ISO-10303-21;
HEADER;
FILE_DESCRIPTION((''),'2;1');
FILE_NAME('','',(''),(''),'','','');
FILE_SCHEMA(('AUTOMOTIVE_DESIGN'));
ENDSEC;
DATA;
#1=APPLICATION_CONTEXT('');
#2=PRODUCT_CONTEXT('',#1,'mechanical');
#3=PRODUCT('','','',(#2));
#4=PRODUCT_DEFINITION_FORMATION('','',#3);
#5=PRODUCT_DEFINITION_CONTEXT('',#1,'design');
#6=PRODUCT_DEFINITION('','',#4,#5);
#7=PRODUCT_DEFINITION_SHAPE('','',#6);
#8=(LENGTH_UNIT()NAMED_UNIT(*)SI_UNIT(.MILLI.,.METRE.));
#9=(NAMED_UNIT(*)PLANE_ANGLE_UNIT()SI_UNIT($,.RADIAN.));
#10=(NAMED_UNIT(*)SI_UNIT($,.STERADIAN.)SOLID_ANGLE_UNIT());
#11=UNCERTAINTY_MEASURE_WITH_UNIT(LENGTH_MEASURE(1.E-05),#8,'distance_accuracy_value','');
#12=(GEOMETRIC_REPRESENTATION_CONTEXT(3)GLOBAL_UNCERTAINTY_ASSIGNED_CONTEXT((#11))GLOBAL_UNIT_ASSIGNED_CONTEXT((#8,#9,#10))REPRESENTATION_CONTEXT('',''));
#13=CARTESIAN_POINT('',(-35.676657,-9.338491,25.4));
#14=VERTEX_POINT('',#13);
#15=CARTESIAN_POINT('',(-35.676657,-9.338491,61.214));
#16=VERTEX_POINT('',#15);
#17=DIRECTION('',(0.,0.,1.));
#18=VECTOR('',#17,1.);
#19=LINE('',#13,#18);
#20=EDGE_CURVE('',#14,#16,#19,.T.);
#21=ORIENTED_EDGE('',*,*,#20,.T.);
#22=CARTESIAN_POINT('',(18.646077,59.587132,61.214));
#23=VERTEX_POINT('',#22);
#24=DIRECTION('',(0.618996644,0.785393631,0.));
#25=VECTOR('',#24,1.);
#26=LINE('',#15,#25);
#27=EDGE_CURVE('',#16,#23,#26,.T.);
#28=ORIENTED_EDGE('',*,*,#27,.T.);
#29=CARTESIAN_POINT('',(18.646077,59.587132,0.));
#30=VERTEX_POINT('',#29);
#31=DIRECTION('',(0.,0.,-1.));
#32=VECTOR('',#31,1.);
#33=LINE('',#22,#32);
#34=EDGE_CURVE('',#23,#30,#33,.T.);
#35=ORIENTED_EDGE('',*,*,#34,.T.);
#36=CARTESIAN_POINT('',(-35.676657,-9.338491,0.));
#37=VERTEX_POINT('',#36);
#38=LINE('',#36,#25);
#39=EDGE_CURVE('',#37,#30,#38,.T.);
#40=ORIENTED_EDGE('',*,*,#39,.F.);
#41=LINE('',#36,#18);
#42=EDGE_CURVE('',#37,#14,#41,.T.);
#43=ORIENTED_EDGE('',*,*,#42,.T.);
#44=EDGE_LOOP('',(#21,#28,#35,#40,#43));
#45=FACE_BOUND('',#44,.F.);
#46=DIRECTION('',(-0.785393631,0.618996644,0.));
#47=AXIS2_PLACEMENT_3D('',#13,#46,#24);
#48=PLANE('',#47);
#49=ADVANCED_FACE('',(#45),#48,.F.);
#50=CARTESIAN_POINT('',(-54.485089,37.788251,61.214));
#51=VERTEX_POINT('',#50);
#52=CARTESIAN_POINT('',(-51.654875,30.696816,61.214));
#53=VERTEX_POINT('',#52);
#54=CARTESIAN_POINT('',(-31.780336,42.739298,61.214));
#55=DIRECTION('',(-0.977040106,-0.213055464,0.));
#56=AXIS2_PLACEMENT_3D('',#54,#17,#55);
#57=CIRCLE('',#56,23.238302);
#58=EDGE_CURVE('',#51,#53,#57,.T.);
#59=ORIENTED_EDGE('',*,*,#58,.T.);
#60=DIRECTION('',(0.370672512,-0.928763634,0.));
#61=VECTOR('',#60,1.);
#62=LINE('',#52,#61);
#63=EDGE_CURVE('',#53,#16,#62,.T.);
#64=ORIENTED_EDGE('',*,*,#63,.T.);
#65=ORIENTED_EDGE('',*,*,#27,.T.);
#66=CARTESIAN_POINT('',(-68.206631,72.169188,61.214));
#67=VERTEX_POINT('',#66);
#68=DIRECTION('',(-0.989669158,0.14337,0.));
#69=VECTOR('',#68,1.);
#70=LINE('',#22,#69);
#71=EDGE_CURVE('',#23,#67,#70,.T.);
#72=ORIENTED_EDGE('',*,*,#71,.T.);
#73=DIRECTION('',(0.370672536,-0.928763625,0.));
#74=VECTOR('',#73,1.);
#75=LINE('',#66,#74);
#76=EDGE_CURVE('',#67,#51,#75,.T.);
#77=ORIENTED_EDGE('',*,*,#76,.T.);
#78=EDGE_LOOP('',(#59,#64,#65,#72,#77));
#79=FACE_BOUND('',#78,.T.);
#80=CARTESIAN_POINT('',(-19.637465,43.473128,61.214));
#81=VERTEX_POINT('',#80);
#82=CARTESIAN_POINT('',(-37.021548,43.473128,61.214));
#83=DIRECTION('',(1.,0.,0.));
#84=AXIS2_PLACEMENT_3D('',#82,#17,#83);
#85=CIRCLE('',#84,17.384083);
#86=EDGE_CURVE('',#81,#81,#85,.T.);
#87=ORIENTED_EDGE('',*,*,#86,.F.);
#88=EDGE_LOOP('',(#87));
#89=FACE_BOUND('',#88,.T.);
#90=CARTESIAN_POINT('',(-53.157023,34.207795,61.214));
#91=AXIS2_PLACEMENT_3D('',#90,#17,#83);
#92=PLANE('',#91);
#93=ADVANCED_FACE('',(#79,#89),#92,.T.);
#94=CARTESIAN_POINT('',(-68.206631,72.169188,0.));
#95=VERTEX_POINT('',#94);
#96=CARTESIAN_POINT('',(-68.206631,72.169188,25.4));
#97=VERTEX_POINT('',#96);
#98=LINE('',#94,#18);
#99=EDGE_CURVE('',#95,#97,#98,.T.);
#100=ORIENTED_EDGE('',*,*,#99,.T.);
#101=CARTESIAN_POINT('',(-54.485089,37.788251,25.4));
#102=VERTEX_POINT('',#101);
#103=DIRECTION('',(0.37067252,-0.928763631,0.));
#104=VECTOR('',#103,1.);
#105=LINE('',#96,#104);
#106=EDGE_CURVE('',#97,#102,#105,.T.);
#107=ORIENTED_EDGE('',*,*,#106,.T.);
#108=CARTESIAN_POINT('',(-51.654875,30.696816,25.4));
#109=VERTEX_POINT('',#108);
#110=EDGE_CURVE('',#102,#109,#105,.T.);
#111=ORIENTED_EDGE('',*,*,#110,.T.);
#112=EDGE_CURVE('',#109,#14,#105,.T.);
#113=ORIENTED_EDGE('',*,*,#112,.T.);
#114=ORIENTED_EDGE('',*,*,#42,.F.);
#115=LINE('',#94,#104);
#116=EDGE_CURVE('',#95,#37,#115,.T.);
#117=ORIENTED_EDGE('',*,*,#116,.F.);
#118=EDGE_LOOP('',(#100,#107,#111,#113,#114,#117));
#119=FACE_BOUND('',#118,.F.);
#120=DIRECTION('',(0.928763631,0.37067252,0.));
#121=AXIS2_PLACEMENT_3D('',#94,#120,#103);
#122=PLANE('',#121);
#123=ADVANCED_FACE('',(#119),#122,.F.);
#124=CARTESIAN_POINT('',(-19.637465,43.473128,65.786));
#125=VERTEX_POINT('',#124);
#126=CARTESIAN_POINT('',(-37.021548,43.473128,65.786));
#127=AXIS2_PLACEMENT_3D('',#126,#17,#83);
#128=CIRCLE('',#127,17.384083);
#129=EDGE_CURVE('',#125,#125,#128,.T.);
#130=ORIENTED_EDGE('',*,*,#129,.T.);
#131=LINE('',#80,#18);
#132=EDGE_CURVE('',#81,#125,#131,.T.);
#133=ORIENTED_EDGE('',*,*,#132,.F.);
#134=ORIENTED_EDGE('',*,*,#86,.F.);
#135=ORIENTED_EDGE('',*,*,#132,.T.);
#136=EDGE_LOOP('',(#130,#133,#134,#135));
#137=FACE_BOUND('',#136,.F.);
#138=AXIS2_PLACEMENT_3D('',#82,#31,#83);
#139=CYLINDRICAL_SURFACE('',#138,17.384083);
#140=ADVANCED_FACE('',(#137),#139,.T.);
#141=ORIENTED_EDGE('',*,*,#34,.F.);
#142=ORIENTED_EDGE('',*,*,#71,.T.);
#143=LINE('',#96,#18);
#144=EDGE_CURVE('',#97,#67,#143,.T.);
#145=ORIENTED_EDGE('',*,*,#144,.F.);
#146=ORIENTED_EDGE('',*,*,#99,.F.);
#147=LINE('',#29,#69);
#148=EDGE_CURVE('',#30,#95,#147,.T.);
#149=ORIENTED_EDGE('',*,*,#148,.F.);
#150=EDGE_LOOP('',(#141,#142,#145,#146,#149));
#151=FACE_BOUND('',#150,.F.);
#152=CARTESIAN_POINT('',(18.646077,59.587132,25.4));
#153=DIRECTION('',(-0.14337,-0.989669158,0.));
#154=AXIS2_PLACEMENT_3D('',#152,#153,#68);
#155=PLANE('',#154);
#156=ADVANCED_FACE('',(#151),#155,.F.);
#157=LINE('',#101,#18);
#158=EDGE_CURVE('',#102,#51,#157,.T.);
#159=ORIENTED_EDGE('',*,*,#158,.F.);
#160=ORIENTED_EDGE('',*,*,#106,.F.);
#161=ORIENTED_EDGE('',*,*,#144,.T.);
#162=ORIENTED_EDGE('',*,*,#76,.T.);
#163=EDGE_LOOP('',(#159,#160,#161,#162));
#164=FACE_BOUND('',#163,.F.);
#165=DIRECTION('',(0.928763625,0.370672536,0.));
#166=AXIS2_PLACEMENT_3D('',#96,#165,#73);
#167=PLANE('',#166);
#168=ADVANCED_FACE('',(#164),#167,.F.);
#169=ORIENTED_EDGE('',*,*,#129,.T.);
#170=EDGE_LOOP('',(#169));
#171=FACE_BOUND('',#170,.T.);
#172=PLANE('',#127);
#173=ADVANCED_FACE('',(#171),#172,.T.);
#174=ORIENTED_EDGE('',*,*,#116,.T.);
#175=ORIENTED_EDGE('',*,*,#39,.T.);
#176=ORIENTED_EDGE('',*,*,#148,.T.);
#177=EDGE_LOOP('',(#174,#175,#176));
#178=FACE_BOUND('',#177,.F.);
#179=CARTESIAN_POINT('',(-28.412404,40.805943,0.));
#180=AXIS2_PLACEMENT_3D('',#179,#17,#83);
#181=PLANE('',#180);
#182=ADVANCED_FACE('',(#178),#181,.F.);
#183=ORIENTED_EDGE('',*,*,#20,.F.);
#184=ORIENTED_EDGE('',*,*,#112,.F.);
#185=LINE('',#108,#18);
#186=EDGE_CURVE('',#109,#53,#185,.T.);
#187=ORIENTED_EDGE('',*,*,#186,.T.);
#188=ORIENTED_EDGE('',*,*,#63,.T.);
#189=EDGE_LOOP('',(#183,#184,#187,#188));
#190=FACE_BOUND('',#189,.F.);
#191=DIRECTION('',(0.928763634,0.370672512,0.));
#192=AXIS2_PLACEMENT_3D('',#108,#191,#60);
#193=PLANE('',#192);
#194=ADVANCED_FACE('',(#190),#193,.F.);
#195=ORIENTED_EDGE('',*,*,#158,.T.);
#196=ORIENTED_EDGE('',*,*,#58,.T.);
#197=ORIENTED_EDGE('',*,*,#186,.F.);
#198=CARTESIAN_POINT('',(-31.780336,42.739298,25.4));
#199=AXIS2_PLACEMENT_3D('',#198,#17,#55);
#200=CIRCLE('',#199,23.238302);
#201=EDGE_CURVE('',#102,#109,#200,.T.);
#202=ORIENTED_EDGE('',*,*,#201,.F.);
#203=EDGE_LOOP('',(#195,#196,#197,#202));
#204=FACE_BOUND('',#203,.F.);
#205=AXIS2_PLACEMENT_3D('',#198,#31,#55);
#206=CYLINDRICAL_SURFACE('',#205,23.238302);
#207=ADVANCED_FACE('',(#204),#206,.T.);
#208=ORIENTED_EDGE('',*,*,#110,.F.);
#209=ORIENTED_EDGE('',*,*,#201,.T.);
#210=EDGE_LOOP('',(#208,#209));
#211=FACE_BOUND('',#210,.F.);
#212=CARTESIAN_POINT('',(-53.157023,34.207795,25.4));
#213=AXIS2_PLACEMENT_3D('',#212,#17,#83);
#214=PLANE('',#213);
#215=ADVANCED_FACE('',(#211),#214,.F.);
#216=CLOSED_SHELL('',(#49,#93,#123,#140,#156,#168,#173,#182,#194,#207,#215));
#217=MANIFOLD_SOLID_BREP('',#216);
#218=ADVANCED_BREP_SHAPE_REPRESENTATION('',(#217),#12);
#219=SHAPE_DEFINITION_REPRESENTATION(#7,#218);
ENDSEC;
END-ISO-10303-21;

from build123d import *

# Parameters (mm, degrees)
F1_DEPTH = 25.4
F3_DEPTH = 35.814
F4_R     = 17.384083
F5_DEPTH = 4.572


with BuildPart() as f1:
    # F0 (on Top) → F1 (new body)
    with BuildSketch(Plane.XY):
        Polygon((-35.676657, -9.338491), (18.646077, 59.587132), (-68.206631, 72.169188), align=None)
    extrude(amount=F1_DEPTH)

    # F2 (on face) → F3 (join)
    with BuildSketch(Plane.XY.offset(25.4)):
        with BuildLine():
            Line((-51.654875, 30.696816), (-54.485089, 37.788251))
            ThreePointArc((-54.485089, 37.788251), (-53.363226, 34.125499), (-51.654875, 30.696816))
        make_face()
        with BuildLine():
            ThreePointArc((-54.485089, 37.788251), (-34.270187, 65.84384), (-8.542018, 42.739302))
            ThreePointArc((-8.542018, 42.739302), (-25.528601, 20.357725), (-51.654875, 30.696816))
            Line((-51.654875, 30.696816), (-35.676657, -9.338491))
            Line((-35.676657, -9.338491), (18.646077, 59.587132))
            Line((18.646077, 59.587132), (-68.206631, 72.169188))
            Line((-68.206631, 72.169188), (-54.485089, 37.788251))
        make_face()
        with BuildLine():
            ThreePointArc((-51.654875, 30.696816), (-25.528601, 20.357725), (-8.542018, 42.739302))
            ThreePointArc((-8.542018, 42.739302), (-34.270187, 65.84384), (-54.485089, 37.788251))
            Line((-54.485089, 37.788251), (-51.654875, 30.696816))
        make_face()
    extrude(amount=F3_DEPTH)

    # F4 (on face) → F5 (join)
    with BuildSketch(Plane.XY.offset(61.214)):
        with Locations((-37.021548, 43.473128)):
            Circle(F4_R)
    extrude(amount=F5_DEPTH)


solid = f1.part
